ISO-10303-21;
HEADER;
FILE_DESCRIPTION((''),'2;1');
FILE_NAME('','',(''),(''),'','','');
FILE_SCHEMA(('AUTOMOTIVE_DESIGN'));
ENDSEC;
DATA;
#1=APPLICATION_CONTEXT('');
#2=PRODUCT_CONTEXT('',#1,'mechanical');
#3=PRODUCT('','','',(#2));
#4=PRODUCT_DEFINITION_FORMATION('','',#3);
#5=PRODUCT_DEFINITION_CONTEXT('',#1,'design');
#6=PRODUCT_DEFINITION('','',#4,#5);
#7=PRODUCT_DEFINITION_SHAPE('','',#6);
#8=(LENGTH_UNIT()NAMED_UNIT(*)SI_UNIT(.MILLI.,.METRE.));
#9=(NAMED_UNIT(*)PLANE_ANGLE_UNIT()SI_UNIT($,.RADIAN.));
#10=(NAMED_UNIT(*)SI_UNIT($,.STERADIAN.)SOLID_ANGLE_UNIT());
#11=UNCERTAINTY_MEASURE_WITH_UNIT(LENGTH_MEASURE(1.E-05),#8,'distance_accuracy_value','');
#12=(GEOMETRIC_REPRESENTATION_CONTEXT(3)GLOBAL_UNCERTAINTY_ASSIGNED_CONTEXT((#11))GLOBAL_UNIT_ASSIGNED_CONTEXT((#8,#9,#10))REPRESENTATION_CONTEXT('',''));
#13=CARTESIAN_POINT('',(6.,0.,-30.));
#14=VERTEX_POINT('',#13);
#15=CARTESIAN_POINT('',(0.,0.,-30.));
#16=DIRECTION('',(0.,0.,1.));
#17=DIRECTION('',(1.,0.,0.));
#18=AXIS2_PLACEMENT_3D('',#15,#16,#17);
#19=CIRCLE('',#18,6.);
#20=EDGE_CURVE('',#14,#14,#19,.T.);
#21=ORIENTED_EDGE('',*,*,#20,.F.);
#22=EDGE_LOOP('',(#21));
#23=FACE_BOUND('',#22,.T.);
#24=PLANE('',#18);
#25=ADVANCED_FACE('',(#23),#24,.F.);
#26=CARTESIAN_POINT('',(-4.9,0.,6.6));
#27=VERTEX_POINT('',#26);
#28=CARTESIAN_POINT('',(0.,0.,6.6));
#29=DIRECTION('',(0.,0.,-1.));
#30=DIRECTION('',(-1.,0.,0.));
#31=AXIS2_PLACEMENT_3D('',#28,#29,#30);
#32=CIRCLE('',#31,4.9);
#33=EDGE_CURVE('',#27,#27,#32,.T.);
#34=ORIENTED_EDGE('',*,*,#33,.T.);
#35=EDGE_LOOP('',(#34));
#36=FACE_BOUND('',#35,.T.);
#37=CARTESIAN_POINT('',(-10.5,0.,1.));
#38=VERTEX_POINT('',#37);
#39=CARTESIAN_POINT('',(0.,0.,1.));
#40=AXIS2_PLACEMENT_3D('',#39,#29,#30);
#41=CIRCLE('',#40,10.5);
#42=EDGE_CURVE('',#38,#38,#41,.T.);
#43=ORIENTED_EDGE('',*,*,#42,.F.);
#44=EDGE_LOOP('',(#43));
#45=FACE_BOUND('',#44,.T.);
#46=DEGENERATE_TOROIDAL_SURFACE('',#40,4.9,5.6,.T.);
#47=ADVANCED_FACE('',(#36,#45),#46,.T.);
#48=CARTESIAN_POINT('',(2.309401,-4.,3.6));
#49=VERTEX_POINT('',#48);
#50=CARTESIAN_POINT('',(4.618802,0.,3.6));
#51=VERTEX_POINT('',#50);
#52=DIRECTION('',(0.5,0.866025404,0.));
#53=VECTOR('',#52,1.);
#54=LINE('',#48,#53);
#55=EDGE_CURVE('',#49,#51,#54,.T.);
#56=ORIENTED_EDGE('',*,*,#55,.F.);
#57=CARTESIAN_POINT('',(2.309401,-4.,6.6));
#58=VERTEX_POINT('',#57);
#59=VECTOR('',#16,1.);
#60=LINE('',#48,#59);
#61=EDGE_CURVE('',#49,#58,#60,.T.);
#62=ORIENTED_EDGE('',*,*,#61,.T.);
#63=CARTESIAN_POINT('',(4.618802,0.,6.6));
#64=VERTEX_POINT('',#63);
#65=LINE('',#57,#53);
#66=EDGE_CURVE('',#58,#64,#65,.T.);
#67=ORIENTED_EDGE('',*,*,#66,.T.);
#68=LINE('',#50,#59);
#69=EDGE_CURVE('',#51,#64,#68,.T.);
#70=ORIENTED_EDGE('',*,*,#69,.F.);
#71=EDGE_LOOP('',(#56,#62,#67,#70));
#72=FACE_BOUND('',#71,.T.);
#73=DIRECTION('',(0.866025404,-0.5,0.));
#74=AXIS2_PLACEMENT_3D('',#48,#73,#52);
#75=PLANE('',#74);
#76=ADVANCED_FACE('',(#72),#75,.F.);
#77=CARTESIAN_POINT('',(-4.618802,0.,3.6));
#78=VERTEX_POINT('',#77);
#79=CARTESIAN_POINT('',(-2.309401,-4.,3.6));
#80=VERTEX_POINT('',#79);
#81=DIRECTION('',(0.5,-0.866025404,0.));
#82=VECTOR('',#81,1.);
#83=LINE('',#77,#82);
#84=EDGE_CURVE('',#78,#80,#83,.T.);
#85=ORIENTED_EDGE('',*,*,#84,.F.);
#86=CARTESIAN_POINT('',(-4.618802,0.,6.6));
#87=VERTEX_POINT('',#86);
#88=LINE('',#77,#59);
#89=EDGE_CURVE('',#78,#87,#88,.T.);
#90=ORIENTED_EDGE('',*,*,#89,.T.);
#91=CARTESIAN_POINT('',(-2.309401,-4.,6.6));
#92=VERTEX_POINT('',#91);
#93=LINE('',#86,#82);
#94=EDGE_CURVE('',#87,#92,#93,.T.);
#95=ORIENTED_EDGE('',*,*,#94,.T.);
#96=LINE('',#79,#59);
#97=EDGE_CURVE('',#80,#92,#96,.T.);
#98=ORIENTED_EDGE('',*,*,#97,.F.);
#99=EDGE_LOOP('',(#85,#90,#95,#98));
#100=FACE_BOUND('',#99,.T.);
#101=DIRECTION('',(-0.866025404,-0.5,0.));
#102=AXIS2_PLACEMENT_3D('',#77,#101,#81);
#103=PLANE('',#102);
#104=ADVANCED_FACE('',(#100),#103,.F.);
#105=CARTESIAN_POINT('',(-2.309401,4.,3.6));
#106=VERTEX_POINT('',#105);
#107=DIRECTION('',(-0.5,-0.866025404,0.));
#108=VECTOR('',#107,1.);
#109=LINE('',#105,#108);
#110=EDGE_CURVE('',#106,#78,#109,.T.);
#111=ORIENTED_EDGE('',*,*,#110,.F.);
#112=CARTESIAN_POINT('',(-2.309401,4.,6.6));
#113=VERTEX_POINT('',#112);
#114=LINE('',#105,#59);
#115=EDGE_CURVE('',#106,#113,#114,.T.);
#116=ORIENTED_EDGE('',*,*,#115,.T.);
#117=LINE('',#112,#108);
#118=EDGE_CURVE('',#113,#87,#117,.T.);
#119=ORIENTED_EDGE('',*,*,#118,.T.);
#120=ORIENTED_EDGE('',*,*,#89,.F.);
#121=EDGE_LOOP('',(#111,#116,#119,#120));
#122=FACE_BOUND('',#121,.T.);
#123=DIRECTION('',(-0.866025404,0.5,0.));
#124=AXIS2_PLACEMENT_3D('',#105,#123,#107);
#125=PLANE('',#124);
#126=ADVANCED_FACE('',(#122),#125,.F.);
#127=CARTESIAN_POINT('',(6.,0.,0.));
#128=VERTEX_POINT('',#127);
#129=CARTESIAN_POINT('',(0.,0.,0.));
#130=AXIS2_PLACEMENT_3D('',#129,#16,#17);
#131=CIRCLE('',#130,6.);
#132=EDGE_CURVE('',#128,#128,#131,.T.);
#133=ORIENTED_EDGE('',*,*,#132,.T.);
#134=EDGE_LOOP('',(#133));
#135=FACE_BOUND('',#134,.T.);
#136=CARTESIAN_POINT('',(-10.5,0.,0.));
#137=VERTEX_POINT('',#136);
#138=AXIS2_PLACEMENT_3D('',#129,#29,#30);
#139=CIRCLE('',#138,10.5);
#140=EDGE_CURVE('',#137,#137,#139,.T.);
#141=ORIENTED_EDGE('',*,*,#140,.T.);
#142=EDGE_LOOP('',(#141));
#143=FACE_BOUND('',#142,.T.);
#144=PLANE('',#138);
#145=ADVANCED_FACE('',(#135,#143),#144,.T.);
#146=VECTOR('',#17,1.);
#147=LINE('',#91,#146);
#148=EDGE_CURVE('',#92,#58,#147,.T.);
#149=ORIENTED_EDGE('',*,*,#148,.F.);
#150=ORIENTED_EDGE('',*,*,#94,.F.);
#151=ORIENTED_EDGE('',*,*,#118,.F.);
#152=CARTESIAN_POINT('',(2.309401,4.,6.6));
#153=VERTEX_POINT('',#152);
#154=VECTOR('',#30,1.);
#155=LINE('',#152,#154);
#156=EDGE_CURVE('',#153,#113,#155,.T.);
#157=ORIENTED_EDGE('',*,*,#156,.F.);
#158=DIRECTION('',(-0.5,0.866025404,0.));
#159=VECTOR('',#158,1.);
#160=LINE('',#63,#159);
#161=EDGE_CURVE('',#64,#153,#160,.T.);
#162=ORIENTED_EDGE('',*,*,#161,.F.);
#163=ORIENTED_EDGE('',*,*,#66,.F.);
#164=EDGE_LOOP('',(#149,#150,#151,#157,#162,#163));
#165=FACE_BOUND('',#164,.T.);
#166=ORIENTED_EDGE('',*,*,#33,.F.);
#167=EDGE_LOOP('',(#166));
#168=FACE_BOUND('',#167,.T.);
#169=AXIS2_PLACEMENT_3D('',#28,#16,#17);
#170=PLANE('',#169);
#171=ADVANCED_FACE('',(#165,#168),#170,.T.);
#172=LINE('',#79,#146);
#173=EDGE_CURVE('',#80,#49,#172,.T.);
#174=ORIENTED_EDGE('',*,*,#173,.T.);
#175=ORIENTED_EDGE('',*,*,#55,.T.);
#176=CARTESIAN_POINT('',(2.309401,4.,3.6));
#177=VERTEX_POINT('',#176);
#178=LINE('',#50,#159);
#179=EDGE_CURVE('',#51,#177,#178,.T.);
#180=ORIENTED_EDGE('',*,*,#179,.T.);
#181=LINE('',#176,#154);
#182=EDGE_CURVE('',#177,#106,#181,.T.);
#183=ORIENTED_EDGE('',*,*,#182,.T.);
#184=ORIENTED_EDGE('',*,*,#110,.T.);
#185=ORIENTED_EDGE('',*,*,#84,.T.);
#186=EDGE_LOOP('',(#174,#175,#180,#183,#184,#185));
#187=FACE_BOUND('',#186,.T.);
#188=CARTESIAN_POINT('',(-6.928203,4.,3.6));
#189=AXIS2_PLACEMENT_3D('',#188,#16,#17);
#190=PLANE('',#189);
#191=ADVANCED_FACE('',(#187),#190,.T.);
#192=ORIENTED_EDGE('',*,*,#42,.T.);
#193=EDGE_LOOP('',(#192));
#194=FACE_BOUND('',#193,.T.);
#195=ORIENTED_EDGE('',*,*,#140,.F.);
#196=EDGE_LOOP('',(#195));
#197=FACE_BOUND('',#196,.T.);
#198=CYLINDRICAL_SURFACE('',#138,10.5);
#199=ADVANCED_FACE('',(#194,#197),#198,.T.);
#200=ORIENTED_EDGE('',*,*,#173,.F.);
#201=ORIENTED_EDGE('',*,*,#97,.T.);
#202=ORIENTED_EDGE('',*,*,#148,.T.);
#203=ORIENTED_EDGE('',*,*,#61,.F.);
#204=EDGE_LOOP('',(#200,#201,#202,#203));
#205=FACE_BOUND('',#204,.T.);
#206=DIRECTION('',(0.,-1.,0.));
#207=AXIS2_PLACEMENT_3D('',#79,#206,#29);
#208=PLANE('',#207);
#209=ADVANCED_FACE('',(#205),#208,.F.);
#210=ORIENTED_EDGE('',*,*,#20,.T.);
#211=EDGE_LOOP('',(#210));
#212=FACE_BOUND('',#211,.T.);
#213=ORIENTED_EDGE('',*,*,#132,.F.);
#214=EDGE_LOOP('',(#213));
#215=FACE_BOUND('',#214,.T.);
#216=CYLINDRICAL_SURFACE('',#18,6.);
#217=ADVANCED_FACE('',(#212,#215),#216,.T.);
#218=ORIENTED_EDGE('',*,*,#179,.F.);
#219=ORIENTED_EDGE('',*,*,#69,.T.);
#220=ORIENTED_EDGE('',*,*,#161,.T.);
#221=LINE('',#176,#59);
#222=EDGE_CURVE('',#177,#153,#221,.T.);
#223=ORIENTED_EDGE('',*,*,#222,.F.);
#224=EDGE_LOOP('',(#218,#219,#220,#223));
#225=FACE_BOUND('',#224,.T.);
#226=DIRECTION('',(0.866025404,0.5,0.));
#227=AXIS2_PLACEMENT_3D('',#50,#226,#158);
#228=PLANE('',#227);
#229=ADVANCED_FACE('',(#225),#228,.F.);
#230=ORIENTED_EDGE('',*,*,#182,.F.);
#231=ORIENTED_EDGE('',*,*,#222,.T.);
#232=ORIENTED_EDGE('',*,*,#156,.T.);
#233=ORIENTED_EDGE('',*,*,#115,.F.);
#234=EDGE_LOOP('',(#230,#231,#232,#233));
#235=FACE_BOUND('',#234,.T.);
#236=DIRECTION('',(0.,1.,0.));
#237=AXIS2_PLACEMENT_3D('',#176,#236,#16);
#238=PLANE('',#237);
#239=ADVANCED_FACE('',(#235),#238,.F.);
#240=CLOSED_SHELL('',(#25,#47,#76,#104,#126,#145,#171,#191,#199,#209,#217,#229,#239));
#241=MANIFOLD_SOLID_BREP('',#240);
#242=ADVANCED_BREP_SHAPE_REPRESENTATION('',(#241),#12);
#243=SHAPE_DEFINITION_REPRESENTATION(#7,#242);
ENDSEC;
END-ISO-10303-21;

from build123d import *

# Parameters (mm, degrees)
SKETCH1_R          = 6
EXTRUDE1_DEPTH     = 30
CUT_EXTRUDE1_DEPTH = 3


with BuildPart() as part:
    # Sketch1 → Extrude1 (new body)
    with BuildSketch(Plane.XY):
        Circle(SKETCH1_R)
    extrude(amount=-EXTRUDE1_DEPTH)

    # Sketch2 → Revolve1 (revolve)
    with BuildSketch(Plane(origin=(0, 0, 0), x_dir=(0, 0, -1), z_dir=(1, 0, 0)), mode=Mode.PRIVATE) as revolve1_sk:
        with BuildLine():
            Line((0, 0), (0, 10.5))
            Line((0, 10.5), (-1, 10.5))
            ThreePointArc((-1, 10.5), (-4.959797975, 8.859797975), (-6.6, 4.9))
            Line((-6.6, 4.9), (-6.6, 0))
            Line((-6.6, 0), (0, 0))
        make_face()
    revolve(revolve1_sk.sketch.rotate(Axis((0, 0, 0), (0, 0, 1)), 90), axis=Axis((0, 0, 0), (0, 0, 1)))

    # Sketch3 → Cut-Extrude1 (cut)
    with BuildSketch(Plane.XY.offset(6.6)):
        Polygon((-2.309401077, 4), (-4.618802154, 0), (-2.309401077, -4), (2.309401077, -4), (4.618802154, 0), (2.309401077, 4), align=None)
    extrude(amount=-CUT_EXTRUDE1_DEPTH, mode=Mode.SUBTRACT)


solid = part.part
